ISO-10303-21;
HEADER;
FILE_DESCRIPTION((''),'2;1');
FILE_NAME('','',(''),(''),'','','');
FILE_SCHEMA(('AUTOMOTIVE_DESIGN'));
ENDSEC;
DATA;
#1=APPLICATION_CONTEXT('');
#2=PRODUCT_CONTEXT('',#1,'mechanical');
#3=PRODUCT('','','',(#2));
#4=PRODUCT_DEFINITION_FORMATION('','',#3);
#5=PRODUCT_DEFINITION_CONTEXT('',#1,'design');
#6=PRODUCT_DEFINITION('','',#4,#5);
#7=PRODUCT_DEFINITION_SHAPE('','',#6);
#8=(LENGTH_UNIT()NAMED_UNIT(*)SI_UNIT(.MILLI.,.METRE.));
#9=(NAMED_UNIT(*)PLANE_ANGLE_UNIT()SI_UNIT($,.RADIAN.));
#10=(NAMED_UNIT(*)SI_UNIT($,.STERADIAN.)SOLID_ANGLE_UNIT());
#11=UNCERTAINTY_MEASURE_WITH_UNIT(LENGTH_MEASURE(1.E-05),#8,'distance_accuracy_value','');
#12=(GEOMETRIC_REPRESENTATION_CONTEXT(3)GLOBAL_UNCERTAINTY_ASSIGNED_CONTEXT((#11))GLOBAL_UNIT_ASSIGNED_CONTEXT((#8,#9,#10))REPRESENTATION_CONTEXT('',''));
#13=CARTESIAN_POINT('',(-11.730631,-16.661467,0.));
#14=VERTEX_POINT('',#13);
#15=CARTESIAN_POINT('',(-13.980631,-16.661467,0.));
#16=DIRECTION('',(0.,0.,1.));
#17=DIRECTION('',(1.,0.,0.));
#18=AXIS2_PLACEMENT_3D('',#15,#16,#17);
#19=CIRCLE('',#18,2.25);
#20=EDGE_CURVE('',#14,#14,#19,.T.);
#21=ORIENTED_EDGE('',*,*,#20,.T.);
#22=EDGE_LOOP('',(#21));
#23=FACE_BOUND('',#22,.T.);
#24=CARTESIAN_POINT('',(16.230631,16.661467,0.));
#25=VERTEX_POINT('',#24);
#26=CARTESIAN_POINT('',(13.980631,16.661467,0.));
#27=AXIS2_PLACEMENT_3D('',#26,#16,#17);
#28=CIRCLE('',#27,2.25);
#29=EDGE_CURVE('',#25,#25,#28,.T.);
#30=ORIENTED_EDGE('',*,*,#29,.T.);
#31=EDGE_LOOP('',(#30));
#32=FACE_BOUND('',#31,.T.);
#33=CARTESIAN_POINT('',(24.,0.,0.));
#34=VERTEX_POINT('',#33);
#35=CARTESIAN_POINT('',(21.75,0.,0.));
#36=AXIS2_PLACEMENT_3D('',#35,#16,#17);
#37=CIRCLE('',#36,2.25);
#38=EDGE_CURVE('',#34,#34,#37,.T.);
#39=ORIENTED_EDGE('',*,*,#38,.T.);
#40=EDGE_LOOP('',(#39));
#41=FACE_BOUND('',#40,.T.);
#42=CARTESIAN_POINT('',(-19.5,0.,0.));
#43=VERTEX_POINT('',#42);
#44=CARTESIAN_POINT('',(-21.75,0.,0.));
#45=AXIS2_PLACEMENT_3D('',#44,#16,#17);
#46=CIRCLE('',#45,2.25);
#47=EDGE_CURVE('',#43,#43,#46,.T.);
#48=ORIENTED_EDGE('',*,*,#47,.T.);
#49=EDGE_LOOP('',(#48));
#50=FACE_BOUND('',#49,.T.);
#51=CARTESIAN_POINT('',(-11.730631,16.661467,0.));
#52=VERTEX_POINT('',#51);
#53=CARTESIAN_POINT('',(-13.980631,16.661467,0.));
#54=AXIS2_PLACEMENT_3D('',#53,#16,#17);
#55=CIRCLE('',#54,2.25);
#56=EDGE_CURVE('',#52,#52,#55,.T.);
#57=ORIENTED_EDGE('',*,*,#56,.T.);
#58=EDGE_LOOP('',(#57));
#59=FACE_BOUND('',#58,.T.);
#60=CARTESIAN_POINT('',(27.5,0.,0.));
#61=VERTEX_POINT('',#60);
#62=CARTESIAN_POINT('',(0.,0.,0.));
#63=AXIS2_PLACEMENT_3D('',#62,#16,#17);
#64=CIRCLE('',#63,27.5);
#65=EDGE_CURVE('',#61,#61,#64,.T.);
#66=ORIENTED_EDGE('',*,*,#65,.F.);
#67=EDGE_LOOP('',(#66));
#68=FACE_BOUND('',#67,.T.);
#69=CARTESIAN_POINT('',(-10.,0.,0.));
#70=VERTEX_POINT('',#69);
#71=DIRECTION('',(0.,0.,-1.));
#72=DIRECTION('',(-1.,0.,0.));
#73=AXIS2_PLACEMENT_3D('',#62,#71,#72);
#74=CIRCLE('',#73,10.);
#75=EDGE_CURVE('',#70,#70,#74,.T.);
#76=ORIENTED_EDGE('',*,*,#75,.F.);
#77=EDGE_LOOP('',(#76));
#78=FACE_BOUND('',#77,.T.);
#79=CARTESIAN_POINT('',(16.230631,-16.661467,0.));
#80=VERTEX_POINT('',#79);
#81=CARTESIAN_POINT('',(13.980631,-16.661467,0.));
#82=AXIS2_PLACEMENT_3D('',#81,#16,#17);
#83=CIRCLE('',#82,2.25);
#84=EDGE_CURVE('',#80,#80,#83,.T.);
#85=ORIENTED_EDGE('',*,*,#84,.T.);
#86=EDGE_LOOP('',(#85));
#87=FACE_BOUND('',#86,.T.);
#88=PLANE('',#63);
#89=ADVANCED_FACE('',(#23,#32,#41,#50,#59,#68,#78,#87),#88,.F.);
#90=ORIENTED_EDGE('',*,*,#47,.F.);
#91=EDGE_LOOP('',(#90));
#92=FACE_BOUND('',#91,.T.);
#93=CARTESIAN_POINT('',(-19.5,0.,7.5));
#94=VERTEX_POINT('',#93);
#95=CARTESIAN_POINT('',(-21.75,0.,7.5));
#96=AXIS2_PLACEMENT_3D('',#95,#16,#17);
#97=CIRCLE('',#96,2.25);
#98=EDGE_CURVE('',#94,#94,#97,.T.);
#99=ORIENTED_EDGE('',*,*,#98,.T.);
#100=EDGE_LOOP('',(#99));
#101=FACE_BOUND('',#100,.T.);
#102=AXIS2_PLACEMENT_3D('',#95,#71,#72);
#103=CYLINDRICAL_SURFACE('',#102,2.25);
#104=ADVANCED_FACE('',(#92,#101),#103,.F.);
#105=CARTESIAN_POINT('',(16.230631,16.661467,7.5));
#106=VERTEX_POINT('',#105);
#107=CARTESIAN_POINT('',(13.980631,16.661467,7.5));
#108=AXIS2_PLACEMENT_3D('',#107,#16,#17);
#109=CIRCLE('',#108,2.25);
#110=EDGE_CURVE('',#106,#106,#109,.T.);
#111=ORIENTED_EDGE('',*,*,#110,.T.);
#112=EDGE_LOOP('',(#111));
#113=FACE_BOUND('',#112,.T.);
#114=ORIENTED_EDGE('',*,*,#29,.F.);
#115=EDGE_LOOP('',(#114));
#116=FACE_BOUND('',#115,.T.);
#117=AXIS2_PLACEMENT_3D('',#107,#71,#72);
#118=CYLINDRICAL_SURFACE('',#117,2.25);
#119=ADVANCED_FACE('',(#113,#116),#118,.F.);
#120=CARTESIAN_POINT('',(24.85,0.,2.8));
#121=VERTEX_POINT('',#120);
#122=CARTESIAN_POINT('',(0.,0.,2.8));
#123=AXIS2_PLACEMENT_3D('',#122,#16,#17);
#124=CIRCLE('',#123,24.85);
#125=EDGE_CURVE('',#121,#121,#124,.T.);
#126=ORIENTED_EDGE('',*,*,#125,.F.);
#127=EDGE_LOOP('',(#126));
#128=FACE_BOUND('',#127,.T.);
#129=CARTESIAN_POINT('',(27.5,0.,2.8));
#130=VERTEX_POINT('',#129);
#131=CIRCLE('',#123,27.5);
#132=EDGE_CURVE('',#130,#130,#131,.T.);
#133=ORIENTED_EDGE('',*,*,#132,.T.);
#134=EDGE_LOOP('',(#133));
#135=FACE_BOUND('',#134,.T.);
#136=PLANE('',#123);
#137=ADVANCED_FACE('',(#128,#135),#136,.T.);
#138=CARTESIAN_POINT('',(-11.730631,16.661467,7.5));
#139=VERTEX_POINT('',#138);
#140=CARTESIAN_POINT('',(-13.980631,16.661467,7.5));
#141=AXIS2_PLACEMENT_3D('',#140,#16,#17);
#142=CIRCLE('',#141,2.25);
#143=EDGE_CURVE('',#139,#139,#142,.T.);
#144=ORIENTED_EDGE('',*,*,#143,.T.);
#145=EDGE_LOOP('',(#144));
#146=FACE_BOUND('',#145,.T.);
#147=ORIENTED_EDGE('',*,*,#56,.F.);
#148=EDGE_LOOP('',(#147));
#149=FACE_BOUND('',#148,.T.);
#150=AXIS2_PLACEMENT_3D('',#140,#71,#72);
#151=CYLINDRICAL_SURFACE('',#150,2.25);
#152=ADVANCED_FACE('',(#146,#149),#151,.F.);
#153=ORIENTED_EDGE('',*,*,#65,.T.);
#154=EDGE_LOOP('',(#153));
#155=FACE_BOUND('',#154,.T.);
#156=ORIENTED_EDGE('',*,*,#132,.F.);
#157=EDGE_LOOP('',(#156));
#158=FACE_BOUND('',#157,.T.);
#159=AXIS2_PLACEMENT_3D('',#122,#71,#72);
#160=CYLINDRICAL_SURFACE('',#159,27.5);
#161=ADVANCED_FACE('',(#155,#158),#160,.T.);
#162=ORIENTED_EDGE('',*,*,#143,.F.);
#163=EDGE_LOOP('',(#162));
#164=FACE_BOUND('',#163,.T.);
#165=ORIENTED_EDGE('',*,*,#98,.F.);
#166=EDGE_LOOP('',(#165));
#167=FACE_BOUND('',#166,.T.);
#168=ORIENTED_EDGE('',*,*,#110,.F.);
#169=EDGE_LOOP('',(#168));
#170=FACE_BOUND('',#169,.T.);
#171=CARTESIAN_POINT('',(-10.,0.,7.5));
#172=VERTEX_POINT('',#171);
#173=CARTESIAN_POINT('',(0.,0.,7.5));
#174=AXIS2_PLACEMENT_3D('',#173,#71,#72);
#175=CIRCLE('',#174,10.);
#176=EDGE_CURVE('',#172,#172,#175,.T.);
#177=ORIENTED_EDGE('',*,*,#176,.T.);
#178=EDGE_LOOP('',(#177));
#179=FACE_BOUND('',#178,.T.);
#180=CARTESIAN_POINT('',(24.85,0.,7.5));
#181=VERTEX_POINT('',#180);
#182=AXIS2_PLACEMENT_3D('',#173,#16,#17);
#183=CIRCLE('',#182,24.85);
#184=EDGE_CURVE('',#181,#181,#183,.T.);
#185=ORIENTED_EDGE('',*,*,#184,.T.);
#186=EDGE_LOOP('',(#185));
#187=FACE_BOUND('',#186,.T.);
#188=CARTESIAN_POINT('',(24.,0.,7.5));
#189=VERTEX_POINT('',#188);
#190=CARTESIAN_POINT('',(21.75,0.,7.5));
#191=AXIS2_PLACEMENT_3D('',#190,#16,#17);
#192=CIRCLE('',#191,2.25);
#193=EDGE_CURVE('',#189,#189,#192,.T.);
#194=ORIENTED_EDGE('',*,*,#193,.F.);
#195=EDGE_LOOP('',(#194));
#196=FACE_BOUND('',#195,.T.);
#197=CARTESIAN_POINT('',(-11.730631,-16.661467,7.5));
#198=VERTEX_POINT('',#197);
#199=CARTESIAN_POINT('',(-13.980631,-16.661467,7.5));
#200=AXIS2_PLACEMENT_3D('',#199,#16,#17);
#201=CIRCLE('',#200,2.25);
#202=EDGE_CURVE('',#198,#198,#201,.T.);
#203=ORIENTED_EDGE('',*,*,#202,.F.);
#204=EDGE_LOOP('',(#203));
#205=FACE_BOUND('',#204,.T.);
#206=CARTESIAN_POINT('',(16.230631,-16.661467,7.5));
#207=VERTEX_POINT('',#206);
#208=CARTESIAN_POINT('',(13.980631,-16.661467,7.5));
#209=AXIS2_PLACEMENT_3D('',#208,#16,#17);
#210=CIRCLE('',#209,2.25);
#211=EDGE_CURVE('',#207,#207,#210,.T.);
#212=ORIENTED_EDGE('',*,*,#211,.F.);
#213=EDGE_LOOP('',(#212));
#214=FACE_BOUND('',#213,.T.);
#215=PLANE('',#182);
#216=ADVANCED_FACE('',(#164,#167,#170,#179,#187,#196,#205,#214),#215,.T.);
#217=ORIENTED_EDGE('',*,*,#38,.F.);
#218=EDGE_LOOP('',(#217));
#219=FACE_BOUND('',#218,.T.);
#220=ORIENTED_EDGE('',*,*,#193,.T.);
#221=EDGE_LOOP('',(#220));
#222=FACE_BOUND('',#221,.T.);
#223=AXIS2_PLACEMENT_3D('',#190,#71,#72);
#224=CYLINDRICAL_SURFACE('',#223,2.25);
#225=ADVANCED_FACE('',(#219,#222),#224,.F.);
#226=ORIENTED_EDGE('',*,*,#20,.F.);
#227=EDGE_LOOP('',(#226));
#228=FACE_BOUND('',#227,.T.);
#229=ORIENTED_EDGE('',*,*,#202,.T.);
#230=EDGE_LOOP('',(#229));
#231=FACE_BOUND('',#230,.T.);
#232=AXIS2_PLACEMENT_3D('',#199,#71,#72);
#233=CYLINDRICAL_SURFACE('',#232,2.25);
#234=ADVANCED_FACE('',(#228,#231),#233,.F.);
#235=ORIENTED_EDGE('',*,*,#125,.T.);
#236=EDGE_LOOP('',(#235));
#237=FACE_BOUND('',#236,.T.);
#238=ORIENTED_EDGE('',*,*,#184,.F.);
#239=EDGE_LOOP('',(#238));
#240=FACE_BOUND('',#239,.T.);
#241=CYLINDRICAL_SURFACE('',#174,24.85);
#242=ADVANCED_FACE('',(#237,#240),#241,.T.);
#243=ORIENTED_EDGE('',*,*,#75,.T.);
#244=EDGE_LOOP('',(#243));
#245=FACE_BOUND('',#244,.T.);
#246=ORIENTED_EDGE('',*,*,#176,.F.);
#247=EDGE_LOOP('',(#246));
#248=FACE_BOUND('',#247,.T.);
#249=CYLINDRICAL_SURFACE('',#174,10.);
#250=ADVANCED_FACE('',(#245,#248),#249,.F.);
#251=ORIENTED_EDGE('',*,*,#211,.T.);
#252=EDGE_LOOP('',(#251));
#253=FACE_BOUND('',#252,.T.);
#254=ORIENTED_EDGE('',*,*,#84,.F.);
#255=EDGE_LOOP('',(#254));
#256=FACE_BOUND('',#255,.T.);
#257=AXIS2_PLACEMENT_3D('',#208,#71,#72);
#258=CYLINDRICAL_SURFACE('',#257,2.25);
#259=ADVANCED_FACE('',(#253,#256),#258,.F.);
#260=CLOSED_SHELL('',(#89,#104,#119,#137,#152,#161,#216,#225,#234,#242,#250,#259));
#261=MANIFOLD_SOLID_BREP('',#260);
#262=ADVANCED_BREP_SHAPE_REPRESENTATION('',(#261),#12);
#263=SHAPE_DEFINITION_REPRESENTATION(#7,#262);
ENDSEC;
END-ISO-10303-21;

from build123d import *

# Parameters (mm, degrees)
SKETCH_1_R          = 24.85
SKETCH_1_R_2        = 2.25
EXTRUDE_1_DEPTH     = 7.5
SKETCH_3_R          = 27.5
SKETCH_3_R_2        = 24.85
EXTRUDE_2_DEPTH     = 2.8
SKETCH_4_R          = 10
CUT_EXTRUDE_1_DEPTH = 40.607448794


with BuildPart() as part:
    # 草图1 → 凸台-拉伸1 (new body)
    with BuildSketch(Plane.XY):
        Circle(SKETCH_1_R)
        with Locations((-21.75, 0)):
            Circle(SKETCH_1_R_2, mode=Mode.SUBTRACT)
        with Locations((-13.980630511, 16.661466638)):
            Circle(SKETCH_1_R_2, mode=Mode.SUBTRACT)
        with Locations((-13.980630511, -16.661466638)):
            Circle(SKETCH_1_R_2, mode=Mode.SUBTRACT)
        with Locations((13.980630511, -16.661466638)):
            Circle(SKETCH_1_R_2, mode=Mode.SUBTRACT)
        with Locations((21.75, 0)):
            Circle(SKETCH_1_R_2, mode=Mode.SUBTRACT)
        with Locations((13.980630511, 16.661466638)):
            Circle(SKETCH_1_R_2, mode=Mode.SUBTRACT)
    extrude(amount=EXTRUDE_1_DEPTH)

    # 草图3 → 凸台-拉伸2 (add)
    with BuildSketch(Plane.XY):
        Circle(SKETCH_3_R)
        Circle(SKETCH_3_R_2, mode=Mode.SUBTRACT)
    extrude(amount=EXTRUDE_2_DEPTH)

    # 草图4 → 切除-拉伸1 (cut, through all)
    with BuildSketch(Plane(origin=(0, 0, 0), x_dir=(-1, 0, 0), z_dir=(0, 0, -1))):
        Circle(SKETCH_4_R)
    extrude(amount=-CUT_EXTRUDE_1_DEPTH, mode=Mode.SUBTRACT)


solid = part.part
